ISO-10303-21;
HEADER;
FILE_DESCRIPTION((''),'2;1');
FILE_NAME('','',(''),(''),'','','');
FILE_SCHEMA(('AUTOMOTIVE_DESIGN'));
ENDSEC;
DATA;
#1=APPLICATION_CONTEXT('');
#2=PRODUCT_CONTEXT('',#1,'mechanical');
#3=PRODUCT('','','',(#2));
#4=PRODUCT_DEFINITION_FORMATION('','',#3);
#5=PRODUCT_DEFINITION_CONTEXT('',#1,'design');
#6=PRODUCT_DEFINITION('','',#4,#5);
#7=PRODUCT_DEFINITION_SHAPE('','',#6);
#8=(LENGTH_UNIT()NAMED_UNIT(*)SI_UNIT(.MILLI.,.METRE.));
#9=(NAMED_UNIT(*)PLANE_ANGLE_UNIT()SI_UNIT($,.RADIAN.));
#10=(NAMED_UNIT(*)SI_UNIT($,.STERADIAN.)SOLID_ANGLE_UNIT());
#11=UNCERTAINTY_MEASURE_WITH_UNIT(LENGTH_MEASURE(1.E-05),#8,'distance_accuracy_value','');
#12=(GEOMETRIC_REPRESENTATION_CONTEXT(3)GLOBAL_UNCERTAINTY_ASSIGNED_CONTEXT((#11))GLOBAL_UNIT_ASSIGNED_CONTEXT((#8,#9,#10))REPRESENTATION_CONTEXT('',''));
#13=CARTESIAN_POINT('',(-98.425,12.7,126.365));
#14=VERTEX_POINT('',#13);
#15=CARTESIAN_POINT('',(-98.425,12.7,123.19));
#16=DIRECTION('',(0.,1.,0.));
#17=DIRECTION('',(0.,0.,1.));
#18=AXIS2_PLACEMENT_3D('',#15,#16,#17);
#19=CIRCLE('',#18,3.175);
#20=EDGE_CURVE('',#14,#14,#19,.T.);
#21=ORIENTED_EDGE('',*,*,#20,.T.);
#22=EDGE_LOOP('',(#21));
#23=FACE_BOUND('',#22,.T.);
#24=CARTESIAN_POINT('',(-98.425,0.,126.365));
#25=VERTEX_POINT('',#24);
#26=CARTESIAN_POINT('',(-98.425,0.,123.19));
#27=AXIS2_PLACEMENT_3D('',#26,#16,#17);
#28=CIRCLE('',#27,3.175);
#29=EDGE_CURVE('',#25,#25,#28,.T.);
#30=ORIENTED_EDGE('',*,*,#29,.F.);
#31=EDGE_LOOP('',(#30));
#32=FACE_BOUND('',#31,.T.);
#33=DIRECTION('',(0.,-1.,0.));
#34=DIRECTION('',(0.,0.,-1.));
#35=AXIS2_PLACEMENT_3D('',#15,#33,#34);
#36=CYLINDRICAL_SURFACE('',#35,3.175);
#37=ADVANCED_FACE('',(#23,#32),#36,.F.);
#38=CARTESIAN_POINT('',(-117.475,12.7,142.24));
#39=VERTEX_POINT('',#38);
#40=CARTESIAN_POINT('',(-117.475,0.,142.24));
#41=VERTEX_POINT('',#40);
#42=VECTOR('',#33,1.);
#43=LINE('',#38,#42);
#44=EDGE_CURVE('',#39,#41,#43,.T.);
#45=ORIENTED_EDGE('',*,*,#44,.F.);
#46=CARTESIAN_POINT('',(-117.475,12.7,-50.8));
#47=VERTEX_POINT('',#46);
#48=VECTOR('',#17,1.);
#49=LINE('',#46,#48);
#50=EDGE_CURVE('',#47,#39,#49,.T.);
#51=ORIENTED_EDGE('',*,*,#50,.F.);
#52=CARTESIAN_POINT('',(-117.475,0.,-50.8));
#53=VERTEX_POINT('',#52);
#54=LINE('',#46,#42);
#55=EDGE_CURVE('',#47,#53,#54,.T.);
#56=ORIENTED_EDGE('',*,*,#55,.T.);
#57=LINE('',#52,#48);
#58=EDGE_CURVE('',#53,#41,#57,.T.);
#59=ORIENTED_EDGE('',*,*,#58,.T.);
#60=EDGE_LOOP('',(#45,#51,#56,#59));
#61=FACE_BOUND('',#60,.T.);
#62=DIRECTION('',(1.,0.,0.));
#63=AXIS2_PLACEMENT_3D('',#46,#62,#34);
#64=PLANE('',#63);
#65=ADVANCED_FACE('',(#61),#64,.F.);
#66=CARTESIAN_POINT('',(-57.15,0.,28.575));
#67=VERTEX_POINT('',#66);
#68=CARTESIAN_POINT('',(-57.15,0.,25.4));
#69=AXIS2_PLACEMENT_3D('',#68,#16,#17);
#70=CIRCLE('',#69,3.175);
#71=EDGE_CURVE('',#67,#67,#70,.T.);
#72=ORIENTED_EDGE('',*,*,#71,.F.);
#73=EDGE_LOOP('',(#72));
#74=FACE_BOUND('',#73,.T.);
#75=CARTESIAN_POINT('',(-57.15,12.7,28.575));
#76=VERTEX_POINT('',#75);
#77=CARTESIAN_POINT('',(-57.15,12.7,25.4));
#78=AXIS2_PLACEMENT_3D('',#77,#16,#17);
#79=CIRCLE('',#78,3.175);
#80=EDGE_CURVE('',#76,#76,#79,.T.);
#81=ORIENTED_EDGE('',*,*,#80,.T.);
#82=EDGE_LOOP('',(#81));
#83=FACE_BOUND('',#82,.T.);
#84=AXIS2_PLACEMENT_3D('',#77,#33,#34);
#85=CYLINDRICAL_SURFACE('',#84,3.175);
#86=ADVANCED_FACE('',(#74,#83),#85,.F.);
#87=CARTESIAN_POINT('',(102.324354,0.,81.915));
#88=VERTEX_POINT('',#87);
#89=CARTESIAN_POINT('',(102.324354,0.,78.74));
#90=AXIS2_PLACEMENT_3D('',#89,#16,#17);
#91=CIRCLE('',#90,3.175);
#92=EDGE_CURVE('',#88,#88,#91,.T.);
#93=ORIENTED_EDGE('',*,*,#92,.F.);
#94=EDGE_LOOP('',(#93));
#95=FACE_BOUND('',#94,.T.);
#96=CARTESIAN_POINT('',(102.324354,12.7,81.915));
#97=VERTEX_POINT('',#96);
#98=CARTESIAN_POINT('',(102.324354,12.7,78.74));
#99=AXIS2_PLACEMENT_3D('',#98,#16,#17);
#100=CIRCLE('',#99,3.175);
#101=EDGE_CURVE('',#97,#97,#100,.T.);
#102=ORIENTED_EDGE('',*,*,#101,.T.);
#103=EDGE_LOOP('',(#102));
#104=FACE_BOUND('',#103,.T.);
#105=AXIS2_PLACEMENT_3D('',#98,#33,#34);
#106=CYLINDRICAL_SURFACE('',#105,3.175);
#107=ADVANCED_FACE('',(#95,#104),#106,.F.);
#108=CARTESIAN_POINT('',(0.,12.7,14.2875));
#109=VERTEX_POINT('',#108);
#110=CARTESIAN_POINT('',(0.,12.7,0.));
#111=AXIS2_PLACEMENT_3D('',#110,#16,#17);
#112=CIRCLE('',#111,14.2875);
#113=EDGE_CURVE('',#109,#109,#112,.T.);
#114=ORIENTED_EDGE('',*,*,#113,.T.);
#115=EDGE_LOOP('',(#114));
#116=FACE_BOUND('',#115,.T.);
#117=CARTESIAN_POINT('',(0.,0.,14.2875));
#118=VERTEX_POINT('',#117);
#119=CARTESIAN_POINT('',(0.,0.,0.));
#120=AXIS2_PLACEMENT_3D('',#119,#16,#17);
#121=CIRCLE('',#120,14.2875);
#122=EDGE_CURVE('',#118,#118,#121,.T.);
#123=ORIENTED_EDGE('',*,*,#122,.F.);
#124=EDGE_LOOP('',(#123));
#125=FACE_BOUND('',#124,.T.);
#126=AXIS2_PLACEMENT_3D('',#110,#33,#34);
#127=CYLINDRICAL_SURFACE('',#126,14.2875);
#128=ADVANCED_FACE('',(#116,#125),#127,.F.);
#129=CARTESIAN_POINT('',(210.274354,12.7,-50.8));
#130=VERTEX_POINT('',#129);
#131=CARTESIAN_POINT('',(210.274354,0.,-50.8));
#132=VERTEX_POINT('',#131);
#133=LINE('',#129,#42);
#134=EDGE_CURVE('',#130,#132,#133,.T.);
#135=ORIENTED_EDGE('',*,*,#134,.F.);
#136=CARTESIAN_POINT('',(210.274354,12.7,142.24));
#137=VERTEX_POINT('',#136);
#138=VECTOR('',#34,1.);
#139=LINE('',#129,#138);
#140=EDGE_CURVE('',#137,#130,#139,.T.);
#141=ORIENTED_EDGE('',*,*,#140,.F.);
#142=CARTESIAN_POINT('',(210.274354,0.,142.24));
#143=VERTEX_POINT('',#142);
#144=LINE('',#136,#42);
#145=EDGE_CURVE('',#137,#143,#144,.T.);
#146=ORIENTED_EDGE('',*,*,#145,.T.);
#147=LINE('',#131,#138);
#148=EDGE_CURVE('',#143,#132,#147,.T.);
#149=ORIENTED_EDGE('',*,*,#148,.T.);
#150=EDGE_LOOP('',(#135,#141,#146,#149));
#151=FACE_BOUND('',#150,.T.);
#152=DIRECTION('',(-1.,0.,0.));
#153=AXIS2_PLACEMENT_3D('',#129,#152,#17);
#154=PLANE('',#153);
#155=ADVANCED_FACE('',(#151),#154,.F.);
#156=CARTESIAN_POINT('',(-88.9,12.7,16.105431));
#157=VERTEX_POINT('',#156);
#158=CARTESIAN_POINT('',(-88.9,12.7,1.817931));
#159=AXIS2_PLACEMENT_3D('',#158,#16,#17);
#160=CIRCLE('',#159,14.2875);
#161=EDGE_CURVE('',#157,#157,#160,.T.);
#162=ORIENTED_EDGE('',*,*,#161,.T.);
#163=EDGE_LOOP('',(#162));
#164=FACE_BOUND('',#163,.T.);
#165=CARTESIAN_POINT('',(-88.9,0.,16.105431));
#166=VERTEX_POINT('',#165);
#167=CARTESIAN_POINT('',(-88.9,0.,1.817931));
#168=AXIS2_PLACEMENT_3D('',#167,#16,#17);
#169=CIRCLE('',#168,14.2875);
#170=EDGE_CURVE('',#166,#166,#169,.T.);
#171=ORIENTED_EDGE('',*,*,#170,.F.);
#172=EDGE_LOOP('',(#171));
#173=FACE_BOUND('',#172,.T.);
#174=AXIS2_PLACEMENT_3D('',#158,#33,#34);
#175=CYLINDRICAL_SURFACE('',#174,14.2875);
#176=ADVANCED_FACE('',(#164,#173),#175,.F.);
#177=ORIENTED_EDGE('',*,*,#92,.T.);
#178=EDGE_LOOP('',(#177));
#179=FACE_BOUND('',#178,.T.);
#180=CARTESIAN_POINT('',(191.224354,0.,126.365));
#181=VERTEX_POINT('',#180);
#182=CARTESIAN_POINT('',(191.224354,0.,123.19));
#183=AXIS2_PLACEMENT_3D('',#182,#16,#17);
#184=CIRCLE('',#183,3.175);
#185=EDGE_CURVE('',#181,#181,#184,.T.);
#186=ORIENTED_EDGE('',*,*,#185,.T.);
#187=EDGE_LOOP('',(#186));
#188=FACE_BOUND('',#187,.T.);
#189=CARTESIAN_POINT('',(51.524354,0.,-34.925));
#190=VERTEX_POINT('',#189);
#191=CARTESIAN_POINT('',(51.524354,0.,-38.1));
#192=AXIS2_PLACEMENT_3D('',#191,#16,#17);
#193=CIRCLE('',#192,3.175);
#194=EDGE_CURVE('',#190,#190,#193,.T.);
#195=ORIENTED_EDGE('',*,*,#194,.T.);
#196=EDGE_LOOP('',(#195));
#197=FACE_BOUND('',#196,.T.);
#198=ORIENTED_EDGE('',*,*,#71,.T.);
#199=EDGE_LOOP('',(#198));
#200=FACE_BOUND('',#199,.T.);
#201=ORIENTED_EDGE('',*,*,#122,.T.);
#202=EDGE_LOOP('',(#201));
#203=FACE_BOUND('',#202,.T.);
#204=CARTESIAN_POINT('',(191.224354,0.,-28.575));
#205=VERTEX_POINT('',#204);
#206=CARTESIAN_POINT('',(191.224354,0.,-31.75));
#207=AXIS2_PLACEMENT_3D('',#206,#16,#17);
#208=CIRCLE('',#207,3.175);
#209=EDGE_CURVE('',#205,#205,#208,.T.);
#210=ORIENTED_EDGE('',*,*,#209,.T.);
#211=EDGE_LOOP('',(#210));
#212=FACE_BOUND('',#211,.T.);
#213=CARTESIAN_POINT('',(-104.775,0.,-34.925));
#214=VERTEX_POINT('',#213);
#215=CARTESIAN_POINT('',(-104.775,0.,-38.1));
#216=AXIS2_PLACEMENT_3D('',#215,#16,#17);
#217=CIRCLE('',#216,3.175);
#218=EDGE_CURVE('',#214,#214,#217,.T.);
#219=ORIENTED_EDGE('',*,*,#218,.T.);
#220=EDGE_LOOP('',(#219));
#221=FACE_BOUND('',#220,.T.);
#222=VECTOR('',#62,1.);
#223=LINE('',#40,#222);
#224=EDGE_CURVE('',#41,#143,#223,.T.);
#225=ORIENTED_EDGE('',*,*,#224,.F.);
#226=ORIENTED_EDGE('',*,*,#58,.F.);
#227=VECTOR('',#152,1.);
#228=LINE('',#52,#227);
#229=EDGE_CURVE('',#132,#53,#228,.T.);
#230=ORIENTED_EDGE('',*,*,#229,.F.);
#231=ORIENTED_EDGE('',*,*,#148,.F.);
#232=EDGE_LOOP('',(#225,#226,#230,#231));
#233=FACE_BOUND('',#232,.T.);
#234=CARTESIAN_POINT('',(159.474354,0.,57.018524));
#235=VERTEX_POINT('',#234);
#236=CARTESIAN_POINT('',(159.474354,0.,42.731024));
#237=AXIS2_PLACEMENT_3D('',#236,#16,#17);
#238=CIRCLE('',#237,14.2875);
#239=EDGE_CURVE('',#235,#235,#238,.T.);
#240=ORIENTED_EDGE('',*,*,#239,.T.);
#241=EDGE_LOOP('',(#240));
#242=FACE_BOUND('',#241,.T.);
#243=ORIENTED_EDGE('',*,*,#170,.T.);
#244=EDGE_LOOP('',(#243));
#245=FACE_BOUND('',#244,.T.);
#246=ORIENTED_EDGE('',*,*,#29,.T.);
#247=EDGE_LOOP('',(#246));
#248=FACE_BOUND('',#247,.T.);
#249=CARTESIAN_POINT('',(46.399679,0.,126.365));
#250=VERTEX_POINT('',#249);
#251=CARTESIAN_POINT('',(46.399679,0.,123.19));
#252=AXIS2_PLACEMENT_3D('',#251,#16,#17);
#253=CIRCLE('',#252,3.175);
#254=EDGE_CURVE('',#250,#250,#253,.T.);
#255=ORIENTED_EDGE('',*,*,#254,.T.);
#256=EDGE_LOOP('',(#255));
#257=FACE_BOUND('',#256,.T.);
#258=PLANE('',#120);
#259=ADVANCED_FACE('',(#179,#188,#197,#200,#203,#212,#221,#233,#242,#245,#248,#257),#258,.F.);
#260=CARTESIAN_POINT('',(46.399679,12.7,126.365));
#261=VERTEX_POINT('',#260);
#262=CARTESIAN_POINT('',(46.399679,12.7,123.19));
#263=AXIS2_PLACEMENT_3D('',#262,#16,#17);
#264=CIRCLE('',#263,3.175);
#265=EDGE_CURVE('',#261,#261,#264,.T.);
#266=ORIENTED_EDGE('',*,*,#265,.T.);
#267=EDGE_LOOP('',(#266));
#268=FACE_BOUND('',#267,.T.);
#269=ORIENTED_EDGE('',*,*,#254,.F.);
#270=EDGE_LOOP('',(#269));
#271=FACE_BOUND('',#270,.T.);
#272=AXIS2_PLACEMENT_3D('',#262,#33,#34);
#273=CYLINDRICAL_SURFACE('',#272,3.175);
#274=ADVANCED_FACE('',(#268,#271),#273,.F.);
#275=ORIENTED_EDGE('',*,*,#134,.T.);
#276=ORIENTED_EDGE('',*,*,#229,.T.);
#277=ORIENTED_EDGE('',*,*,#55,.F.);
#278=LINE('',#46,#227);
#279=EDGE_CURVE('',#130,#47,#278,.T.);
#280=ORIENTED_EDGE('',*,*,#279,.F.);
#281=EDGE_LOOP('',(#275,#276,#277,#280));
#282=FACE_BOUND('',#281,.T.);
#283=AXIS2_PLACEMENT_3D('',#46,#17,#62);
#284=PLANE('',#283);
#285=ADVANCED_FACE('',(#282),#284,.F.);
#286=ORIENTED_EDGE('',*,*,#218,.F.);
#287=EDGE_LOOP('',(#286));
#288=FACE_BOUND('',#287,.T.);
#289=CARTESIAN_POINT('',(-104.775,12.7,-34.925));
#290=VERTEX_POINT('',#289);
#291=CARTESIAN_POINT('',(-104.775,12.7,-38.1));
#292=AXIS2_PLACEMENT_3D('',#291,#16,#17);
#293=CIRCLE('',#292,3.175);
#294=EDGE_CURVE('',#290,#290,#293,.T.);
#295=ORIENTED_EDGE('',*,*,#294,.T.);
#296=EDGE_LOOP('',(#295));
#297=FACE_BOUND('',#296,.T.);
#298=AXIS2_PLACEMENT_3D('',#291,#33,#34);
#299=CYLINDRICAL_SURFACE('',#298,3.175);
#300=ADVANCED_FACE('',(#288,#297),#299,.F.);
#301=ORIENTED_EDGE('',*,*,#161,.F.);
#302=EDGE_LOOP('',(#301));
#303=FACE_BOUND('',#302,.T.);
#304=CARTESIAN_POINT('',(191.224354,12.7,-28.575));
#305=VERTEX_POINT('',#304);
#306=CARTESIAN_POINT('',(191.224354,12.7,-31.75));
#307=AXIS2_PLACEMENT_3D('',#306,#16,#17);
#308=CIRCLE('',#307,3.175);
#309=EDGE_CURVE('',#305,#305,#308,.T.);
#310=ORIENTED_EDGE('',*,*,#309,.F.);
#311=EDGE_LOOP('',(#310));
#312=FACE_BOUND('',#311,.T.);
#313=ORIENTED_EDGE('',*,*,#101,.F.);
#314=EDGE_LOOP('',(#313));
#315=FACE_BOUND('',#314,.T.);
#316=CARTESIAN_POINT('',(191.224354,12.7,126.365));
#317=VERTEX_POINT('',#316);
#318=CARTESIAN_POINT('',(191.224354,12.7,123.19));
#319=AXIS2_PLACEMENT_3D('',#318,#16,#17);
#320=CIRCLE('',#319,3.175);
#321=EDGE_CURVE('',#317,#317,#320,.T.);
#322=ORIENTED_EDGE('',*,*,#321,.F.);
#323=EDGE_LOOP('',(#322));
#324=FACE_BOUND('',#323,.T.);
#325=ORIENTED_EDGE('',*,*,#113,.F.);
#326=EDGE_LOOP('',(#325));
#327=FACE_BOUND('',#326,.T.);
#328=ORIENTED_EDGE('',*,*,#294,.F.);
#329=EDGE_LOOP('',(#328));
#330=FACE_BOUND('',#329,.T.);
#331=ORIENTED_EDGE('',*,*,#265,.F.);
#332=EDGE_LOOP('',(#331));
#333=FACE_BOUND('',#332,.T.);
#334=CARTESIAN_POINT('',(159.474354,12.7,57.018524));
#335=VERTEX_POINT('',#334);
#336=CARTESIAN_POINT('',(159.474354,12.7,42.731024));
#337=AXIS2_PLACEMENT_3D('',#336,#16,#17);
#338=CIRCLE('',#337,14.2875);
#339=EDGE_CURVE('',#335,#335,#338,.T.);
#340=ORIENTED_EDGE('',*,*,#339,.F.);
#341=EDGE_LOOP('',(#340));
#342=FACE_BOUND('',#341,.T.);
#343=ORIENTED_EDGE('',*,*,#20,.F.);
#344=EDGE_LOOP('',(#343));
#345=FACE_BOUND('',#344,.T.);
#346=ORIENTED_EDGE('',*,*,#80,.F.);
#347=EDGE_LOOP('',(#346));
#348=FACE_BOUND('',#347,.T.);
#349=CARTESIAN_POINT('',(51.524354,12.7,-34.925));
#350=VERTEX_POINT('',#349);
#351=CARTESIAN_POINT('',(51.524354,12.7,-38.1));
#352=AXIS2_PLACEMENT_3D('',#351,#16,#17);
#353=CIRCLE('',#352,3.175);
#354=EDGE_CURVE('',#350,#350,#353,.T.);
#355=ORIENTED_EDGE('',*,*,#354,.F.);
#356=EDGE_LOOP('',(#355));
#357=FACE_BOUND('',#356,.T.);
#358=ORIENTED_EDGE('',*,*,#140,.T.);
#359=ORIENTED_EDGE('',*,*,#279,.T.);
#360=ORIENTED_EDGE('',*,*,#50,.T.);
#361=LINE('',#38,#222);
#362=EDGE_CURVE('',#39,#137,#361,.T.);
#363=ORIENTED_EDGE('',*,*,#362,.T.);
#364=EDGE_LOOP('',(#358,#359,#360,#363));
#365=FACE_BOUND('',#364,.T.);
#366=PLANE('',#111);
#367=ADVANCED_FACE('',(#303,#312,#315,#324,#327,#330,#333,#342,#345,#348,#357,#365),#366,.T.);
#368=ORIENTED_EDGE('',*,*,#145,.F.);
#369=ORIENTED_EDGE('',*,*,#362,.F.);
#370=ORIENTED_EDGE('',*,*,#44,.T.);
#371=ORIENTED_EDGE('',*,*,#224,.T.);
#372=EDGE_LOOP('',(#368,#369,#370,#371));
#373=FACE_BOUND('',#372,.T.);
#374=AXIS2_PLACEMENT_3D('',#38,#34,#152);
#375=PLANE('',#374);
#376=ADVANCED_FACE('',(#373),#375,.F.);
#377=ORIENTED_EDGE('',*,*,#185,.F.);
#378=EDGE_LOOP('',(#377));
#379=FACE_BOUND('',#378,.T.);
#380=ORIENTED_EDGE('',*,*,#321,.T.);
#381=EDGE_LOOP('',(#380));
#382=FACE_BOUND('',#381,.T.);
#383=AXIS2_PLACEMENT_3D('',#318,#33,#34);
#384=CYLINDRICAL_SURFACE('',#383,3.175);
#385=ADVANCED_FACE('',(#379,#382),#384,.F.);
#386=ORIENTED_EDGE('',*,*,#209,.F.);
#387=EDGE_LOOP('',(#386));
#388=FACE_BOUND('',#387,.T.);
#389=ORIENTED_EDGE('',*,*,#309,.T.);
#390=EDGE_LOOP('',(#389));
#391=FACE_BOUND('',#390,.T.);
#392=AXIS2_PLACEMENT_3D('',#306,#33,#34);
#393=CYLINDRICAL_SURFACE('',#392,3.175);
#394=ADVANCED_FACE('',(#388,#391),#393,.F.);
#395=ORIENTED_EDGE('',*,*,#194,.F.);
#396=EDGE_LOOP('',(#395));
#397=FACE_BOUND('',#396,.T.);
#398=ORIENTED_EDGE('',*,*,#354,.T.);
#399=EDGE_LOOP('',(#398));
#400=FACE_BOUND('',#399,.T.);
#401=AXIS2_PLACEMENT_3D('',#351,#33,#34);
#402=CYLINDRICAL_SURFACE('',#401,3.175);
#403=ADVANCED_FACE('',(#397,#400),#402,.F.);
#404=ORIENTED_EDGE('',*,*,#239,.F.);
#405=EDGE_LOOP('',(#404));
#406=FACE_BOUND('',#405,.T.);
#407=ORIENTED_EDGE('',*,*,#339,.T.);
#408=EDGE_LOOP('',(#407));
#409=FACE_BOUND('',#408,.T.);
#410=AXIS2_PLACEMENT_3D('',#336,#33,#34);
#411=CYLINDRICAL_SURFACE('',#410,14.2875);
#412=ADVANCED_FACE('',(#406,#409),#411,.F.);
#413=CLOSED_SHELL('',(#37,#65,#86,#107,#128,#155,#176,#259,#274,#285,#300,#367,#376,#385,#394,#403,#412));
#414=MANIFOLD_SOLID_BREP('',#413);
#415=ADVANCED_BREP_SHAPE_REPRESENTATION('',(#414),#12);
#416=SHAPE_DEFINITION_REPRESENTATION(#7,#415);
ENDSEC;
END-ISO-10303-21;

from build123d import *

# Parameters (mm, degrees)
SKETCH1_W           = 327.74935392
SKETCH1_H           = 193.04
SKETCH1_R           = 14.2875
SKETCH1_R_2         = 3.175
BOSS_EXTRUDE1_DEPTH = 12.7


with BuildPart() as part:
    # Sketch1 → Boss-Extrude1 (new body)
    with BuildSketch(Plane(origin=(0, 0, 0), x_dir=(1, 0, 0), z_dir=(0, 1, 0))):
        with Locations((46.39967696, -45.72)):
            Rectangle(SKETCH1_W, SKETCH1_H)
        with Locations(Location((0, 0, 0), (0, 0, 270))):
            Circle(SKETCH1_R, mode=Mode.SUBTRACT)
        with Locations(Location((159.47435392, -42.731024346, 0), (0, 0, 270))):
            Circle(SKETCH1_R, mode=Mode.SUBTRACT)
        with Locations(Location((-88.9, -1.817931401, 0), (0, 0, 270))):
            Circle(SKETCH1_R, mode=Mode.SUBTRACT)
        with Locations(Location((-98.425, -123.19, 0), (0, 0, 270))):
            Circle(SKETCH1_R_2, mode=Mode.SUBTRACT)
        with Locations(Location((191.22435392, -123.19, 0), (0, 0, 270))):
            Circle(SKETCH1_R_2, mode=Mode.SUBTRACT)
        with Locations(Location((191.22435392, 31.75, 0), (0, 0, 270))):
            Circle(SKETCH1_R_2, mode=Mode.SUBTRACT)
        with Locations(Location((102.32435392, -78.74, 0), (0, 0, 270))):
            Circle(SKETCH1_R_2, mode=Mode.SUBTRACT)
        with Locations(Location((46.3996786, -123.19, 0), (0, 0, 270))):
            Circle(SKETCH1_R_2, mode=Mode.SUBTRACT)
        with Locations(Location((-57.15, -25.4, 0), (0, 0, 270))):
            Circle(SKETCH1_R_2, mode=Mode.SUBTRACT)
        with Locations(Location((-104.775, 38.1, 0), (0, 0, 270))):
            Circle(SKETCH1_R_2, mode=Mode.SUBTRACT)
        with Locations(Location((51.52435392, 38.1, 0), (0, 0, 270))):
            Circle(SKETCH1_R_2, mode=Mode.SUBTRACT)
    extrude(amount=BOSS_EXTRUDE1_DEPTH)


solid = part.part
